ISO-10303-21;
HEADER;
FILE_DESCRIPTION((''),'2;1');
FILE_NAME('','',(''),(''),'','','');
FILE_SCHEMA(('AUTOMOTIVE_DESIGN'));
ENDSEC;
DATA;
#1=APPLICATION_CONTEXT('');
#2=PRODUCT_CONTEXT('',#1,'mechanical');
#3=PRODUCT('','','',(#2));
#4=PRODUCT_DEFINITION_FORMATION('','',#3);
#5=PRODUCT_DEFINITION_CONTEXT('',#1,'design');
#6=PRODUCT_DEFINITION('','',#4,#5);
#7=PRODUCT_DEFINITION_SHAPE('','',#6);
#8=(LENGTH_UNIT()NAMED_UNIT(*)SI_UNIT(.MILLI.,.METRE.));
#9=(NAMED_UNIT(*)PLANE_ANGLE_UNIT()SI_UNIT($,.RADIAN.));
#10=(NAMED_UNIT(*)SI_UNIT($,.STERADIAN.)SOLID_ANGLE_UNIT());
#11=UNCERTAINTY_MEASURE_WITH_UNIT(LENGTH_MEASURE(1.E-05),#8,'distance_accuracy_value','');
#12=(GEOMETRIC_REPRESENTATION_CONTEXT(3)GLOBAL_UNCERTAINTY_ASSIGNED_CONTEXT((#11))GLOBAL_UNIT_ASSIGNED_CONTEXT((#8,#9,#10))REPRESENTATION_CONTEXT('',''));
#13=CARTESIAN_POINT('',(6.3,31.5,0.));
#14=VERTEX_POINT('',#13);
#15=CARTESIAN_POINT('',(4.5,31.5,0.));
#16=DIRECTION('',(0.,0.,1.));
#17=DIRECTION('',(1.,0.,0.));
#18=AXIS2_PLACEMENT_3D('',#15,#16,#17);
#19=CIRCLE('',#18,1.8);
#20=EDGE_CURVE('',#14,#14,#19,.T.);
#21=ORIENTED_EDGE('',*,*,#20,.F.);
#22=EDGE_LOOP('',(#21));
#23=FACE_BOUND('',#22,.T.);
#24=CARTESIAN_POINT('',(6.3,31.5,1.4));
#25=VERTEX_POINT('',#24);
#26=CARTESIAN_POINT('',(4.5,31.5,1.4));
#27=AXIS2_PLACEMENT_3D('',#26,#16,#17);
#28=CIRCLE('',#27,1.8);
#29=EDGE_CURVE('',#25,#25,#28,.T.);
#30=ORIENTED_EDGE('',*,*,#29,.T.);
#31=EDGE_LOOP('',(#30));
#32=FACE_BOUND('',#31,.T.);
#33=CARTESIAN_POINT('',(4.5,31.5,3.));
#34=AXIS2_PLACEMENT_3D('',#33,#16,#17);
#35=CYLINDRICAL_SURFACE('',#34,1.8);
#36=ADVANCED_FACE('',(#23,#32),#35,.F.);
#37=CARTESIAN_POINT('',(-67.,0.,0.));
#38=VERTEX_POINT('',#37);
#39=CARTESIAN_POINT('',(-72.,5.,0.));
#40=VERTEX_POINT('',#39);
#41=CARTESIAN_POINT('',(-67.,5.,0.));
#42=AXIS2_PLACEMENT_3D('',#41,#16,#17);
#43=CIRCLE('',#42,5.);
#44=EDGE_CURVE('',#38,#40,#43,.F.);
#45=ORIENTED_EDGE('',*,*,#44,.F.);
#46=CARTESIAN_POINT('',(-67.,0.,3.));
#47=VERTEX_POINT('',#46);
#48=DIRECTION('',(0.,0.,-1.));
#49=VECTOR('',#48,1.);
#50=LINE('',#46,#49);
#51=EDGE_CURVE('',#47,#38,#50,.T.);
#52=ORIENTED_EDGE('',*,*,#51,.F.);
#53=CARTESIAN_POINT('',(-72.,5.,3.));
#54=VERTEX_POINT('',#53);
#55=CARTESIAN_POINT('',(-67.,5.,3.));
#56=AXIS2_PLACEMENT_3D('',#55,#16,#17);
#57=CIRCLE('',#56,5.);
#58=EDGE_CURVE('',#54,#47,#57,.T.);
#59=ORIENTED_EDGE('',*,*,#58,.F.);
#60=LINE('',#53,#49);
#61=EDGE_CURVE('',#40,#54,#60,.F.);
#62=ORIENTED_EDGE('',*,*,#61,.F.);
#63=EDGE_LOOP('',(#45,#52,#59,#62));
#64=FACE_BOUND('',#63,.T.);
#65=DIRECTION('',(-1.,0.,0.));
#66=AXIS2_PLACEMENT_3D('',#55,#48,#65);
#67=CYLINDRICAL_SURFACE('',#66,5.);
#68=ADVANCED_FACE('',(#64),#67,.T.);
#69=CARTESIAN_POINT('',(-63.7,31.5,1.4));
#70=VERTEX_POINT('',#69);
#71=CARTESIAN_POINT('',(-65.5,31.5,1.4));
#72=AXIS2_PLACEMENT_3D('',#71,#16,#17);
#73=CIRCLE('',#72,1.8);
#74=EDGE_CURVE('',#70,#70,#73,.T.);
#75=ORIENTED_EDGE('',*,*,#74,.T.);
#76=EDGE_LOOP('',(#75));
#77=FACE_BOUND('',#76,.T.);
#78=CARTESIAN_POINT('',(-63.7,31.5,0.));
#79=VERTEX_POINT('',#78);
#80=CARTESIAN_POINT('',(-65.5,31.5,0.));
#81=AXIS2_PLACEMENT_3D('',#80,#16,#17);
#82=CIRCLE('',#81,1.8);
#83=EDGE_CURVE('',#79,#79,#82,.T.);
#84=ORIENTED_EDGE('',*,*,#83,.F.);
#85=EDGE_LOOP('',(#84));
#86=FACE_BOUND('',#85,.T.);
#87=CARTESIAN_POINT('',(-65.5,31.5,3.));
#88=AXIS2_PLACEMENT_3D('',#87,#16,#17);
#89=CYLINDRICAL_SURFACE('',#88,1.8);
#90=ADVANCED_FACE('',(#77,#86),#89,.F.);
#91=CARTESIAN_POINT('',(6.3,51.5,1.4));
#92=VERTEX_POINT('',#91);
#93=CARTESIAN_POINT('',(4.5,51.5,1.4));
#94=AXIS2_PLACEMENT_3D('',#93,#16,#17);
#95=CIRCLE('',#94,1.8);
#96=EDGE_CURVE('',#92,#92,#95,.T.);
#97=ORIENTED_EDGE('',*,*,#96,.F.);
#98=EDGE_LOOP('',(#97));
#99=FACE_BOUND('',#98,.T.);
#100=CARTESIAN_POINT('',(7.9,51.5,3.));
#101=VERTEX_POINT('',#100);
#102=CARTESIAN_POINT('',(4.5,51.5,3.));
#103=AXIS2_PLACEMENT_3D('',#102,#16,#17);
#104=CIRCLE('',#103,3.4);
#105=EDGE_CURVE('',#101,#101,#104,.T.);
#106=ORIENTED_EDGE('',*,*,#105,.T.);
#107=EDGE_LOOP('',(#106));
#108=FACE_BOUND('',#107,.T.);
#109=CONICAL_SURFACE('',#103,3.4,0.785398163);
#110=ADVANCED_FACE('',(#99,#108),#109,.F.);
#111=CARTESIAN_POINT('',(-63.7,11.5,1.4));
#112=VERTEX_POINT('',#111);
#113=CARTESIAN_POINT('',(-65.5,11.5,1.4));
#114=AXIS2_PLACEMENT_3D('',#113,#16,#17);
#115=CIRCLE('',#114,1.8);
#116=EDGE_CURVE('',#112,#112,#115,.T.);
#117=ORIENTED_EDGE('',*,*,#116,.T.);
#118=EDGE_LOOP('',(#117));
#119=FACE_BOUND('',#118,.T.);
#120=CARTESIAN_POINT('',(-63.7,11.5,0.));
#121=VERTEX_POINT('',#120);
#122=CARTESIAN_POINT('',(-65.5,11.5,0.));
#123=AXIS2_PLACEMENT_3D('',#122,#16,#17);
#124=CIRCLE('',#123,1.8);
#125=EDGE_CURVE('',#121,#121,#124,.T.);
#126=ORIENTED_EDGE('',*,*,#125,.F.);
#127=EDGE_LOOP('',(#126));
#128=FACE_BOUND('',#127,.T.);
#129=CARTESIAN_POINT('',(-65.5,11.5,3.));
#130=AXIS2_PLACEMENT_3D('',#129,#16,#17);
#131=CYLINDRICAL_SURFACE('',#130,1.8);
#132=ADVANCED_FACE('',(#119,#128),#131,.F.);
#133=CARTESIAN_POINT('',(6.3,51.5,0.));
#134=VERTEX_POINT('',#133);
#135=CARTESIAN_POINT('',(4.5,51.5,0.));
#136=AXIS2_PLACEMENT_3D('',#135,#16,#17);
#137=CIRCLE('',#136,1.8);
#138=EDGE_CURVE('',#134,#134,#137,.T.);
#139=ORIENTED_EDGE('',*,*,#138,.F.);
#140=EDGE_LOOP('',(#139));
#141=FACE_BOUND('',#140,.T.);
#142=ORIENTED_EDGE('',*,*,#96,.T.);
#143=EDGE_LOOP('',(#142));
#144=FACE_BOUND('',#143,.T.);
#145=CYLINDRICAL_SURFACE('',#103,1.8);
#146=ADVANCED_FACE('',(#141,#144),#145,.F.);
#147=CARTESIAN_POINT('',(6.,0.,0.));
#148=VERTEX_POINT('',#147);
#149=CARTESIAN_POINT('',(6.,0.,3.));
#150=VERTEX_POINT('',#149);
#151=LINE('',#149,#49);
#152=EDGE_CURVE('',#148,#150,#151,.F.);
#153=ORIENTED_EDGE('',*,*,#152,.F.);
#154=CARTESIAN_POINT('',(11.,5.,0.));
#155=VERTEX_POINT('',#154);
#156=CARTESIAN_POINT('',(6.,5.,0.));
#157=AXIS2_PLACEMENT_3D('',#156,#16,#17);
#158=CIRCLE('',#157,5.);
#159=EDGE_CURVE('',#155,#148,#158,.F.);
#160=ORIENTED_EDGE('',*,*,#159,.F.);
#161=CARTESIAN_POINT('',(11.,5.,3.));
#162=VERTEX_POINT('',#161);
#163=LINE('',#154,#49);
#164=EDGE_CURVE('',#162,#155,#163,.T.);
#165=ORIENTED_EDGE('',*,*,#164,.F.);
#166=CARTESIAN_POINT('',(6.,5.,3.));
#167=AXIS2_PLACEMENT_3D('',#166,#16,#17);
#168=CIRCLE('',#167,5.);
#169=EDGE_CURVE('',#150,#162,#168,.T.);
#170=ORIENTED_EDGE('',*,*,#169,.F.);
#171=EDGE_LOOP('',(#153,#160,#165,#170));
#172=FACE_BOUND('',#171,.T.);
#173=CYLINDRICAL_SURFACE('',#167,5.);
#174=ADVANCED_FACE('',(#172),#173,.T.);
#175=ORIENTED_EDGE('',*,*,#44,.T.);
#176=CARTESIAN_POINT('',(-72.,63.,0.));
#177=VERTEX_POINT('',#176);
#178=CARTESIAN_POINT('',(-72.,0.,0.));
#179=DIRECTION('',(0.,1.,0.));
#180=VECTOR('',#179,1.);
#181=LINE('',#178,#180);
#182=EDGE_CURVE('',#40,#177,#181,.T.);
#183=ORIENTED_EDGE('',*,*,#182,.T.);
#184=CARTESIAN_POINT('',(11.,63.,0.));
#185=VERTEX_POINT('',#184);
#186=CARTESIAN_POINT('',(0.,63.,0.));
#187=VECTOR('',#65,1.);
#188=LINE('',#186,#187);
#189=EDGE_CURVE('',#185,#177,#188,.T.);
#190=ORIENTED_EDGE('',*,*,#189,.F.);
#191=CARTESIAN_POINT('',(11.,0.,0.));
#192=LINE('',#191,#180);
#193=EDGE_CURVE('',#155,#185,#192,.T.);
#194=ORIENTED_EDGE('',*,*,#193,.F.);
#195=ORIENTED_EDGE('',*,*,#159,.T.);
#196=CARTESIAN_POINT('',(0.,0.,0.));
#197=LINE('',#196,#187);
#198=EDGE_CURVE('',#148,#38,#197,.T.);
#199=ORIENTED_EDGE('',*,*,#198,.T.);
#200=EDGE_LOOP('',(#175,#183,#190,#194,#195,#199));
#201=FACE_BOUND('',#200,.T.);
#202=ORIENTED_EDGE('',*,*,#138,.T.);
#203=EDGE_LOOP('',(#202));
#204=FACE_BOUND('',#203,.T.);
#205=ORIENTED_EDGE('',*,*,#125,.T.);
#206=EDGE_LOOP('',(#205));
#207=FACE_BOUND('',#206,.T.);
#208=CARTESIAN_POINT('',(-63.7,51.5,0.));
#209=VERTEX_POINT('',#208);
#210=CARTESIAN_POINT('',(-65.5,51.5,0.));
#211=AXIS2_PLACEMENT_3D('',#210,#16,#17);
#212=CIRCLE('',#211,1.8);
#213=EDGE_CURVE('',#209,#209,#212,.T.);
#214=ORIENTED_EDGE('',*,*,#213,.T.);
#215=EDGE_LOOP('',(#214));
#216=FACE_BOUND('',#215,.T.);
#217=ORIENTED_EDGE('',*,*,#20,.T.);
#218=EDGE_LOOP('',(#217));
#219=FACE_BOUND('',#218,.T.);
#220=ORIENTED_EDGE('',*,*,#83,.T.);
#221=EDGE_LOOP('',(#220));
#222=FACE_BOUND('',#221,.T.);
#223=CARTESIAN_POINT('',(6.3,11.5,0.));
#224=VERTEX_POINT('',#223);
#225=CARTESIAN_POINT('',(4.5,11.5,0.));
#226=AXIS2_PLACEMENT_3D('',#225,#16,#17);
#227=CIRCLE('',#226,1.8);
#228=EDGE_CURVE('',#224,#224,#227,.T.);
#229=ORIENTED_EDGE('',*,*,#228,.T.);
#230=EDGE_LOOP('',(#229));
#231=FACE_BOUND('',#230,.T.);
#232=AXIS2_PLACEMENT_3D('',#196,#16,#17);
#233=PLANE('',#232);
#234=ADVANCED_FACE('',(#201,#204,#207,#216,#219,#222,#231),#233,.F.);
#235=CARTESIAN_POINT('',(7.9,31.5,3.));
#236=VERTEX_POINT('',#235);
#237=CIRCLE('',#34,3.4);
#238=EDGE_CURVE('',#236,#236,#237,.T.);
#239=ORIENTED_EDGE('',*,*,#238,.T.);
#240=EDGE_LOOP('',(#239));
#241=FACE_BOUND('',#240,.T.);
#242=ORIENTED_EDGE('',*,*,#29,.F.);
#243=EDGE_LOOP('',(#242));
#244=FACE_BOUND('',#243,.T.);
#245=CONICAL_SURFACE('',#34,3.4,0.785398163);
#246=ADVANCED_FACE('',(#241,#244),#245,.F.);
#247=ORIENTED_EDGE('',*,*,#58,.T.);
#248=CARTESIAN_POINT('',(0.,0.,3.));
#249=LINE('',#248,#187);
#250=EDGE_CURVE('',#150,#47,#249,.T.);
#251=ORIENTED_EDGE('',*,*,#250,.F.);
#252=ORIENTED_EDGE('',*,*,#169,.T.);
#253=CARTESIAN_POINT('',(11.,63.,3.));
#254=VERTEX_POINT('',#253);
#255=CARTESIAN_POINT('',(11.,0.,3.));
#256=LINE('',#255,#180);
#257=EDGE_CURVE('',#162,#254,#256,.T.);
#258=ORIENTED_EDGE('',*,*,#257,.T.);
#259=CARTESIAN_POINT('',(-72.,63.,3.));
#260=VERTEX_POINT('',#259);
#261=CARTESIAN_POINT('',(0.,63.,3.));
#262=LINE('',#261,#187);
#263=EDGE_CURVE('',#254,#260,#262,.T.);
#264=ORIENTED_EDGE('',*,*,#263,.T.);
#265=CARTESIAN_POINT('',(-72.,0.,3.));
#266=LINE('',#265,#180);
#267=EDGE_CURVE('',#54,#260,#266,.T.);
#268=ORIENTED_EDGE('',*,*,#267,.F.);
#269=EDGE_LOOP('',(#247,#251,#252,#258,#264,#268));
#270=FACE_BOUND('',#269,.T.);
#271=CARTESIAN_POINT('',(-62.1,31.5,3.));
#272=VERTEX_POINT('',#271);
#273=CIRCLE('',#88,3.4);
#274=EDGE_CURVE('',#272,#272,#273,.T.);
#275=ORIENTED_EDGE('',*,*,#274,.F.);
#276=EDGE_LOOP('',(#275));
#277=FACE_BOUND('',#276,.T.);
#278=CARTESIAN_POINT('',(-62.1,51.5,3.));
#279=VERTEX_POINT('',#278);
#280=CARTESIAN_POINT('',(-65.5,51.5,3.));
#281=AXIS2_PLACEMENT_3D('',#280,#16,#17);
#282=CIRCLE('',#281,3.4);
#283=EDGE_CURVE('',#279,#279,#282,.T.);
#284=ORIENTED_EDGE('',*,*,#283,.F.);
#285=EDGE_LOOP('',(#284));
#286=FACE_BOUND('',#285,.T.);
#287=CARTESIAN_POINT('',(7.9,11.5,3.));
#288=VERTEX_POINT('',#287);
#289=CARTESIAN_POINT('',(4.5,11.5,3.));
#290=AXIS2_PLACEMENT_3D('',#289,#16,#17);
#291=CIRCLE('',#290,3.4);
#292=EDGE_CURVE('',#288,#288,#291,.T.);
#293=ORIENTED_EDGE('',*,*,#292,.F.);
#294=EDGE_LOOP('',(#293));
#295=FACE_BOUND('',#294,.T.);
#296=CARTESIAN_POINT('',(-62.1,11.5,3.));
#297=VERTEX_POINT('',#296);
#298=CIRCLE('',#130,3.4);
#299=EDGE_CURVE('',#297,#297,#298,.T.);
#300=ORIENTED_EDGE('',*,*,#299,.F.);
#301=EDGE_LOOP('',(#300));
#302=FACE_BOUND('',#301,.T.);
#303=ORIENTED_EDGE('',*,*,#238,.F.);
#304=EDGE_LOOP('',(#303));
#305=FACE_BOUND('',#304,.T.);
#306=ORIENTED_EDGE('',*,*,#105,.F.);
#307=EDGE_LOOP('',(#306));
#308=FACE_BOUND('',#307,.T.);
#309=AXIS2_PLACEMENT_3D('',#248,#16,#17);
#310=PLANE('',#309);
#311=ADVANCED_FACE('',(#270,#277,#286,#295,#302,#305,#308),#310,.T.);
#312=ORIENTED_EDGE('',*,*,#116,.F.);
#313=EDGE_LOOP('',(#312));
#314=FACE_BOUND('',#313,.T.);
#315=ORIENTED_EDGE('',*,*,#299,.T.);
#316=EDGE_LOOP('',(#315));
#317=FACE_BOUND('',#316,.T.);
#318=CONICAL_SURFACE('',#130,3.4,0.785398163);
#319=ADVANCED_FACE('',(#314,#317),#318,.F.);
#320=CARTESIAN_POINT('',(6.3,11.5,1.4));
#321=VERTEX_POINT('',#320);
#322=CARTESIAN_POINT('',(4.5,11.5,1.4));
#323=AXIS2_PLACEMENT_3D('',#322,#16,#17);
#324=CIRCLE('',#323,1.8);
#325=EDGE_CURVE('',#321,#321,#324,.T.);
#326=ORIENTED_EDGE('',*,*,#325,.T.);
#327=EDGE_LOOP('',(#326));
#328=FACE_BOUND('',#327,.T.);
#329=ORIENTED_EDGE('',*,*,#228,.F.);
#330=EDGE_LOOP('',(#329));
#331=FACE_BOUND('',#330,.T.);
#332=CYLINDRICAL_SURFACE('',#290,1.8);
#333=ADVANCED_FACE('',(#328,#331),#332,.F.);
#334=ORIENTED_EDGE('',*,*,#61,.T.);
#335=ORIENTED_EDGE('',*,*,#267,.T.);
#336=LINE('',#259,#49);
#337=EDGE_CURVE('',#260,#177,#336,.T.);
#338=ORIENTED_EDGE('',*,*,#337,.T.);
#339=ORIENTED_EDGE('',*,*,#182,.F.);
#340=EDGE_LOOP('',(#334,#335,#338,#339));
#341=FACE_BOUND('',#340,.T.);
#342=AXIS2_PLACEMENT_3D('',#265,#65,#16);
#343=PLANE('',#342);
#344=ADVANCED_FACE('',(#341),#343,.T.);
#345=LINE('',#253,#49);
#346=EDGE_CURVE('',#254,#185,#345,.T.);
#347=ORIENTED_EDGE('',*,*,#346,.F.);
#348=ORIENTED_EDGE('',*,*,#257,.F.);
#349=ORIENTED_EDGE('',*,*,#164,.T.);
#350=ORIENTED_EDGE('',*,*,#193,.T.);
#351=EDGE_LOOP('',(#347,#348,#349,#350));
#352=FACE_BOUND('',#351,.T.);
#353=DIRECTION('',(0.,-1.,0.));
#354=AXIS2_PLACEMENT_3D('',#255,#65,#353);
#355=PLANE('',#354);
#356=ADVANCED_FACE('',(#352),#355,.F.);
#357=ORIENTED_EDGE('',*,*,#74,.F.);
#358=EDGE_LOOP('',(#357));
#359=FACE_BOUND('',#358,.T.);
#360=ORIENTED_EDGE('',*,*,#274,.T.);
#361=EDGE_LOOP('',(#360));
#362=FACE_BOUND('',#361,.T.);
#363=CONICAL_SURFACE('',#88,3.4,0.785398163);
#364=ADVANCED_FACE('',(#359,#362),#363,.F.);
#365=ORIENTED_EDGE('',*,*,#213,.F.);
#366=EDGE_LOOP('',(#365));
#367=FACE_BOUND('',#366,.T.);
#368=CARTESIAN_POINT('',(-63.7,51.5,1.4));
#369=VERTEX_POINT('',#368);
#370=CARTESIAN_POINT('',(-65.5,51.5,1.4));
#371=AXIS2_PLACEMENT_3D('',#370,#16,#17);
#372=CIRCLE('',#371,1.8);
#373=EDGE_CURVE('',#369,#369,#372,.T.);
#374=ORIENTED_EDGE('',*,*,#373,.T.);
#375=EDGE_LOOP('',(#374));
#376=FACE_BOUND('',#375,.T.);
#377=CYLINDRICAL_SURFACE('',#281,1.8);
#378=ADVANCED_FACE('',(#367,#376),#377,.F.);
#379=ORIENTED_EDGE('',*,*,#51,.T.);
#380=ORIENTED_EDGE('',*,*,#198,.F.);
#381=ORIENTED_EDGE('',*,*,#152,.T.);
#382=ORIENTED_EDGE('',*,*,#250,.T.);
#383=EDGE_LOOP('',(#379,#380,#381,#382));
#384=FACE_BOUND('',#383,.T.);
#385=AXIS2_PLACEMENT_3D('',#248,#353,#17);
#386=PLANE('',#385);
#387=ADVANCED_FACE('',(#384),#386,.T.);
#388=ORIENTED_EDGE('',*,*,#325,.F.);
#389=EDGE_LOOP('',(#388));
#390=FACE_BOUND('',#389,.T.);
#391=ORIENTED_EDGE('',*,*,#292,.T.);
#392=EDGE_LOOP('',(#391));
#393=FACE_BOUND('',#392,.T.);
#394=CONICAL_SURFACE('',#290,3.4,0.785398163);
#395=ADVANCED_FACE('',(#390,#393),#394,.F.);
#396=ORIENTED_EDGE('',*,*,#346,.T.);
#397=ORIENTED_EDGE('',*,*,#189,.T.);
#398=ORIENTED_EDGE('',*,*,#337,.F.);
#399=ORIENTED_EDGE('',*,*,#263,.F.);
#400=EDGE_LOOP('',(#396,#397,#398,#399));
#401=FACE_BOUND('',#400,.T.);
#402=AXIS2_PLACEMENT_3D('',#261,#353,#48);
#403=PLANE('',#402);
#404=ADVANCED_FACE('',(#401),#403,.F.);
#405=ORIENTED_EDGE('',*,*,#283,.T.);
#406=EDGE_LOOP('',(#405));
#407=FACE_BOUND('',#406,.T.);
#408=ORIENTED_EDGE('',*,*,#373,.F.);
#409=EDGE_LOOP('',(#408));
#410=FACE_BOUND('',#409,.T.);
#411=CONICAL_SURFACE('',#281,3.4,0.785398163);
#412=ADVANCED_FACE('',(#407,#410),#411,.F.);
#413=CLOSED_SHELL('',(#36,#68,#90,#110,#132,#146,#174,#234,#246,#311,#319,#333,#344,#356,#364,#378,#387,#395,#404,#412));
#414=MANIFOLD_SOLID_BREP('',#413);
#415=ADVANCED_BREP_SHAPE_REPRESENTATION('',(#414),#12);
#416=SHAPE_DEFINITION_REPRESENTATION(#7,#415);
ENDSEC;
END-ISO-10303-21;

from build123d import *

# Parameters (mm, degrees)
SKETCH1_W                                       = 11
SKETCH1_H                                       = 63
SKETCH1_W_2                                     = 60
SKETCH1_H_2                                     = 60
BOSS_EXTRUDE1_DEPTH                             = 3
CSK_FOR_M3_FLAT_HEAD_MACHINE_SCREW1_D           = 3.6
CSK_FOR_M3_FLAT_HEAD_MACHINE_SCREW1_DEPTH       = 6
CSK_FOR_M3_FLAT_HEAD_MACHINE_SCREW1_CSINK_D     = 6.8
CSK_FOR_M3_FLAT_HEAD_MACHINE_SCREW1_CSINK_ANGLE = 90
CSK_FOR_M3_FLAT_HEAD_MACHINE_SCREW1_TIP         = 1.081549114
FILLET1_R                                       = 5


with BuildPart() as part:
    # Sketch1 → Boss-Extrude1 (new body)
    with BuildSketch(Plane.XY):
        with Locations((-66.5, 31.5)):
            Rectangle(SKETCH1_W, SKETCH1_H)
        Polygon((-60, 60), (0, 60), (0, 63), (-61, 63), (-61, 0), (-60, 0), align=None)
        with Locations((-30, 30)):
            Rectangle(SKETCH1_W_2, SKETCH1_H_2)
        with Locations((5.5, 31.5)):
            Rectangle(SKETCH1_W, SKETCH1_H)
    extrude(amount=BOSS_EXTRUDE1_DEPTH)

    # CSK for M3 Flat Head Machine Screw1
    with Locations(Plane.XY.offset(3)):
        with Locations((-65.5, 31.5), (-65.5, 51.5), (-65.5, 11.5), (4.5, 11.5), (4.5, 31.5), (4.5, 51.5)):
            CounterSinkHole(CSK_FOR_M3_FLAT_HEAD_MACHINE_SCREW1_D / 2, CSK_FOR_M3_FLAT_HEAD_MACHINE_SCREW1_CSINK_D / 2, depth=CSK_FOR_M3_FLAT_HEAD_MACHINE_SCREW1_DEPTH, counter_sink_angle=CSK_FOR_M3_FLAT_HEAD_MACHINE_SCREW1_CSINK_ANGLE)
            with Locations((0, 0, -(CSK_FOR_M3_FLAT_HEAD_MACHINE_SCREW1_DEPTH + CSK_FOR_M3_FLAT_HEAD_MACHINE_SCREW1_TIP / 2))):  # 118° drill point
                Cone(0, CSK_FOR_M3_FLAT_HEAD_MACHINE_SCREW1_D / 2, CSK_FOR_M3_FLAT_HEAD_MACHINE_SCREW1_TIP, mode=Mode.SUBTRACT)

    # Fillet1
    fillet1_edges = [part.edges().sort_by_distance(p)[0] for p in [
        (11, 0, 1.5),
        (-72, 0, 1.5),
    ]]
    fillet(fillet1_edges, radius=FILLET1_R)


solid = part.part
